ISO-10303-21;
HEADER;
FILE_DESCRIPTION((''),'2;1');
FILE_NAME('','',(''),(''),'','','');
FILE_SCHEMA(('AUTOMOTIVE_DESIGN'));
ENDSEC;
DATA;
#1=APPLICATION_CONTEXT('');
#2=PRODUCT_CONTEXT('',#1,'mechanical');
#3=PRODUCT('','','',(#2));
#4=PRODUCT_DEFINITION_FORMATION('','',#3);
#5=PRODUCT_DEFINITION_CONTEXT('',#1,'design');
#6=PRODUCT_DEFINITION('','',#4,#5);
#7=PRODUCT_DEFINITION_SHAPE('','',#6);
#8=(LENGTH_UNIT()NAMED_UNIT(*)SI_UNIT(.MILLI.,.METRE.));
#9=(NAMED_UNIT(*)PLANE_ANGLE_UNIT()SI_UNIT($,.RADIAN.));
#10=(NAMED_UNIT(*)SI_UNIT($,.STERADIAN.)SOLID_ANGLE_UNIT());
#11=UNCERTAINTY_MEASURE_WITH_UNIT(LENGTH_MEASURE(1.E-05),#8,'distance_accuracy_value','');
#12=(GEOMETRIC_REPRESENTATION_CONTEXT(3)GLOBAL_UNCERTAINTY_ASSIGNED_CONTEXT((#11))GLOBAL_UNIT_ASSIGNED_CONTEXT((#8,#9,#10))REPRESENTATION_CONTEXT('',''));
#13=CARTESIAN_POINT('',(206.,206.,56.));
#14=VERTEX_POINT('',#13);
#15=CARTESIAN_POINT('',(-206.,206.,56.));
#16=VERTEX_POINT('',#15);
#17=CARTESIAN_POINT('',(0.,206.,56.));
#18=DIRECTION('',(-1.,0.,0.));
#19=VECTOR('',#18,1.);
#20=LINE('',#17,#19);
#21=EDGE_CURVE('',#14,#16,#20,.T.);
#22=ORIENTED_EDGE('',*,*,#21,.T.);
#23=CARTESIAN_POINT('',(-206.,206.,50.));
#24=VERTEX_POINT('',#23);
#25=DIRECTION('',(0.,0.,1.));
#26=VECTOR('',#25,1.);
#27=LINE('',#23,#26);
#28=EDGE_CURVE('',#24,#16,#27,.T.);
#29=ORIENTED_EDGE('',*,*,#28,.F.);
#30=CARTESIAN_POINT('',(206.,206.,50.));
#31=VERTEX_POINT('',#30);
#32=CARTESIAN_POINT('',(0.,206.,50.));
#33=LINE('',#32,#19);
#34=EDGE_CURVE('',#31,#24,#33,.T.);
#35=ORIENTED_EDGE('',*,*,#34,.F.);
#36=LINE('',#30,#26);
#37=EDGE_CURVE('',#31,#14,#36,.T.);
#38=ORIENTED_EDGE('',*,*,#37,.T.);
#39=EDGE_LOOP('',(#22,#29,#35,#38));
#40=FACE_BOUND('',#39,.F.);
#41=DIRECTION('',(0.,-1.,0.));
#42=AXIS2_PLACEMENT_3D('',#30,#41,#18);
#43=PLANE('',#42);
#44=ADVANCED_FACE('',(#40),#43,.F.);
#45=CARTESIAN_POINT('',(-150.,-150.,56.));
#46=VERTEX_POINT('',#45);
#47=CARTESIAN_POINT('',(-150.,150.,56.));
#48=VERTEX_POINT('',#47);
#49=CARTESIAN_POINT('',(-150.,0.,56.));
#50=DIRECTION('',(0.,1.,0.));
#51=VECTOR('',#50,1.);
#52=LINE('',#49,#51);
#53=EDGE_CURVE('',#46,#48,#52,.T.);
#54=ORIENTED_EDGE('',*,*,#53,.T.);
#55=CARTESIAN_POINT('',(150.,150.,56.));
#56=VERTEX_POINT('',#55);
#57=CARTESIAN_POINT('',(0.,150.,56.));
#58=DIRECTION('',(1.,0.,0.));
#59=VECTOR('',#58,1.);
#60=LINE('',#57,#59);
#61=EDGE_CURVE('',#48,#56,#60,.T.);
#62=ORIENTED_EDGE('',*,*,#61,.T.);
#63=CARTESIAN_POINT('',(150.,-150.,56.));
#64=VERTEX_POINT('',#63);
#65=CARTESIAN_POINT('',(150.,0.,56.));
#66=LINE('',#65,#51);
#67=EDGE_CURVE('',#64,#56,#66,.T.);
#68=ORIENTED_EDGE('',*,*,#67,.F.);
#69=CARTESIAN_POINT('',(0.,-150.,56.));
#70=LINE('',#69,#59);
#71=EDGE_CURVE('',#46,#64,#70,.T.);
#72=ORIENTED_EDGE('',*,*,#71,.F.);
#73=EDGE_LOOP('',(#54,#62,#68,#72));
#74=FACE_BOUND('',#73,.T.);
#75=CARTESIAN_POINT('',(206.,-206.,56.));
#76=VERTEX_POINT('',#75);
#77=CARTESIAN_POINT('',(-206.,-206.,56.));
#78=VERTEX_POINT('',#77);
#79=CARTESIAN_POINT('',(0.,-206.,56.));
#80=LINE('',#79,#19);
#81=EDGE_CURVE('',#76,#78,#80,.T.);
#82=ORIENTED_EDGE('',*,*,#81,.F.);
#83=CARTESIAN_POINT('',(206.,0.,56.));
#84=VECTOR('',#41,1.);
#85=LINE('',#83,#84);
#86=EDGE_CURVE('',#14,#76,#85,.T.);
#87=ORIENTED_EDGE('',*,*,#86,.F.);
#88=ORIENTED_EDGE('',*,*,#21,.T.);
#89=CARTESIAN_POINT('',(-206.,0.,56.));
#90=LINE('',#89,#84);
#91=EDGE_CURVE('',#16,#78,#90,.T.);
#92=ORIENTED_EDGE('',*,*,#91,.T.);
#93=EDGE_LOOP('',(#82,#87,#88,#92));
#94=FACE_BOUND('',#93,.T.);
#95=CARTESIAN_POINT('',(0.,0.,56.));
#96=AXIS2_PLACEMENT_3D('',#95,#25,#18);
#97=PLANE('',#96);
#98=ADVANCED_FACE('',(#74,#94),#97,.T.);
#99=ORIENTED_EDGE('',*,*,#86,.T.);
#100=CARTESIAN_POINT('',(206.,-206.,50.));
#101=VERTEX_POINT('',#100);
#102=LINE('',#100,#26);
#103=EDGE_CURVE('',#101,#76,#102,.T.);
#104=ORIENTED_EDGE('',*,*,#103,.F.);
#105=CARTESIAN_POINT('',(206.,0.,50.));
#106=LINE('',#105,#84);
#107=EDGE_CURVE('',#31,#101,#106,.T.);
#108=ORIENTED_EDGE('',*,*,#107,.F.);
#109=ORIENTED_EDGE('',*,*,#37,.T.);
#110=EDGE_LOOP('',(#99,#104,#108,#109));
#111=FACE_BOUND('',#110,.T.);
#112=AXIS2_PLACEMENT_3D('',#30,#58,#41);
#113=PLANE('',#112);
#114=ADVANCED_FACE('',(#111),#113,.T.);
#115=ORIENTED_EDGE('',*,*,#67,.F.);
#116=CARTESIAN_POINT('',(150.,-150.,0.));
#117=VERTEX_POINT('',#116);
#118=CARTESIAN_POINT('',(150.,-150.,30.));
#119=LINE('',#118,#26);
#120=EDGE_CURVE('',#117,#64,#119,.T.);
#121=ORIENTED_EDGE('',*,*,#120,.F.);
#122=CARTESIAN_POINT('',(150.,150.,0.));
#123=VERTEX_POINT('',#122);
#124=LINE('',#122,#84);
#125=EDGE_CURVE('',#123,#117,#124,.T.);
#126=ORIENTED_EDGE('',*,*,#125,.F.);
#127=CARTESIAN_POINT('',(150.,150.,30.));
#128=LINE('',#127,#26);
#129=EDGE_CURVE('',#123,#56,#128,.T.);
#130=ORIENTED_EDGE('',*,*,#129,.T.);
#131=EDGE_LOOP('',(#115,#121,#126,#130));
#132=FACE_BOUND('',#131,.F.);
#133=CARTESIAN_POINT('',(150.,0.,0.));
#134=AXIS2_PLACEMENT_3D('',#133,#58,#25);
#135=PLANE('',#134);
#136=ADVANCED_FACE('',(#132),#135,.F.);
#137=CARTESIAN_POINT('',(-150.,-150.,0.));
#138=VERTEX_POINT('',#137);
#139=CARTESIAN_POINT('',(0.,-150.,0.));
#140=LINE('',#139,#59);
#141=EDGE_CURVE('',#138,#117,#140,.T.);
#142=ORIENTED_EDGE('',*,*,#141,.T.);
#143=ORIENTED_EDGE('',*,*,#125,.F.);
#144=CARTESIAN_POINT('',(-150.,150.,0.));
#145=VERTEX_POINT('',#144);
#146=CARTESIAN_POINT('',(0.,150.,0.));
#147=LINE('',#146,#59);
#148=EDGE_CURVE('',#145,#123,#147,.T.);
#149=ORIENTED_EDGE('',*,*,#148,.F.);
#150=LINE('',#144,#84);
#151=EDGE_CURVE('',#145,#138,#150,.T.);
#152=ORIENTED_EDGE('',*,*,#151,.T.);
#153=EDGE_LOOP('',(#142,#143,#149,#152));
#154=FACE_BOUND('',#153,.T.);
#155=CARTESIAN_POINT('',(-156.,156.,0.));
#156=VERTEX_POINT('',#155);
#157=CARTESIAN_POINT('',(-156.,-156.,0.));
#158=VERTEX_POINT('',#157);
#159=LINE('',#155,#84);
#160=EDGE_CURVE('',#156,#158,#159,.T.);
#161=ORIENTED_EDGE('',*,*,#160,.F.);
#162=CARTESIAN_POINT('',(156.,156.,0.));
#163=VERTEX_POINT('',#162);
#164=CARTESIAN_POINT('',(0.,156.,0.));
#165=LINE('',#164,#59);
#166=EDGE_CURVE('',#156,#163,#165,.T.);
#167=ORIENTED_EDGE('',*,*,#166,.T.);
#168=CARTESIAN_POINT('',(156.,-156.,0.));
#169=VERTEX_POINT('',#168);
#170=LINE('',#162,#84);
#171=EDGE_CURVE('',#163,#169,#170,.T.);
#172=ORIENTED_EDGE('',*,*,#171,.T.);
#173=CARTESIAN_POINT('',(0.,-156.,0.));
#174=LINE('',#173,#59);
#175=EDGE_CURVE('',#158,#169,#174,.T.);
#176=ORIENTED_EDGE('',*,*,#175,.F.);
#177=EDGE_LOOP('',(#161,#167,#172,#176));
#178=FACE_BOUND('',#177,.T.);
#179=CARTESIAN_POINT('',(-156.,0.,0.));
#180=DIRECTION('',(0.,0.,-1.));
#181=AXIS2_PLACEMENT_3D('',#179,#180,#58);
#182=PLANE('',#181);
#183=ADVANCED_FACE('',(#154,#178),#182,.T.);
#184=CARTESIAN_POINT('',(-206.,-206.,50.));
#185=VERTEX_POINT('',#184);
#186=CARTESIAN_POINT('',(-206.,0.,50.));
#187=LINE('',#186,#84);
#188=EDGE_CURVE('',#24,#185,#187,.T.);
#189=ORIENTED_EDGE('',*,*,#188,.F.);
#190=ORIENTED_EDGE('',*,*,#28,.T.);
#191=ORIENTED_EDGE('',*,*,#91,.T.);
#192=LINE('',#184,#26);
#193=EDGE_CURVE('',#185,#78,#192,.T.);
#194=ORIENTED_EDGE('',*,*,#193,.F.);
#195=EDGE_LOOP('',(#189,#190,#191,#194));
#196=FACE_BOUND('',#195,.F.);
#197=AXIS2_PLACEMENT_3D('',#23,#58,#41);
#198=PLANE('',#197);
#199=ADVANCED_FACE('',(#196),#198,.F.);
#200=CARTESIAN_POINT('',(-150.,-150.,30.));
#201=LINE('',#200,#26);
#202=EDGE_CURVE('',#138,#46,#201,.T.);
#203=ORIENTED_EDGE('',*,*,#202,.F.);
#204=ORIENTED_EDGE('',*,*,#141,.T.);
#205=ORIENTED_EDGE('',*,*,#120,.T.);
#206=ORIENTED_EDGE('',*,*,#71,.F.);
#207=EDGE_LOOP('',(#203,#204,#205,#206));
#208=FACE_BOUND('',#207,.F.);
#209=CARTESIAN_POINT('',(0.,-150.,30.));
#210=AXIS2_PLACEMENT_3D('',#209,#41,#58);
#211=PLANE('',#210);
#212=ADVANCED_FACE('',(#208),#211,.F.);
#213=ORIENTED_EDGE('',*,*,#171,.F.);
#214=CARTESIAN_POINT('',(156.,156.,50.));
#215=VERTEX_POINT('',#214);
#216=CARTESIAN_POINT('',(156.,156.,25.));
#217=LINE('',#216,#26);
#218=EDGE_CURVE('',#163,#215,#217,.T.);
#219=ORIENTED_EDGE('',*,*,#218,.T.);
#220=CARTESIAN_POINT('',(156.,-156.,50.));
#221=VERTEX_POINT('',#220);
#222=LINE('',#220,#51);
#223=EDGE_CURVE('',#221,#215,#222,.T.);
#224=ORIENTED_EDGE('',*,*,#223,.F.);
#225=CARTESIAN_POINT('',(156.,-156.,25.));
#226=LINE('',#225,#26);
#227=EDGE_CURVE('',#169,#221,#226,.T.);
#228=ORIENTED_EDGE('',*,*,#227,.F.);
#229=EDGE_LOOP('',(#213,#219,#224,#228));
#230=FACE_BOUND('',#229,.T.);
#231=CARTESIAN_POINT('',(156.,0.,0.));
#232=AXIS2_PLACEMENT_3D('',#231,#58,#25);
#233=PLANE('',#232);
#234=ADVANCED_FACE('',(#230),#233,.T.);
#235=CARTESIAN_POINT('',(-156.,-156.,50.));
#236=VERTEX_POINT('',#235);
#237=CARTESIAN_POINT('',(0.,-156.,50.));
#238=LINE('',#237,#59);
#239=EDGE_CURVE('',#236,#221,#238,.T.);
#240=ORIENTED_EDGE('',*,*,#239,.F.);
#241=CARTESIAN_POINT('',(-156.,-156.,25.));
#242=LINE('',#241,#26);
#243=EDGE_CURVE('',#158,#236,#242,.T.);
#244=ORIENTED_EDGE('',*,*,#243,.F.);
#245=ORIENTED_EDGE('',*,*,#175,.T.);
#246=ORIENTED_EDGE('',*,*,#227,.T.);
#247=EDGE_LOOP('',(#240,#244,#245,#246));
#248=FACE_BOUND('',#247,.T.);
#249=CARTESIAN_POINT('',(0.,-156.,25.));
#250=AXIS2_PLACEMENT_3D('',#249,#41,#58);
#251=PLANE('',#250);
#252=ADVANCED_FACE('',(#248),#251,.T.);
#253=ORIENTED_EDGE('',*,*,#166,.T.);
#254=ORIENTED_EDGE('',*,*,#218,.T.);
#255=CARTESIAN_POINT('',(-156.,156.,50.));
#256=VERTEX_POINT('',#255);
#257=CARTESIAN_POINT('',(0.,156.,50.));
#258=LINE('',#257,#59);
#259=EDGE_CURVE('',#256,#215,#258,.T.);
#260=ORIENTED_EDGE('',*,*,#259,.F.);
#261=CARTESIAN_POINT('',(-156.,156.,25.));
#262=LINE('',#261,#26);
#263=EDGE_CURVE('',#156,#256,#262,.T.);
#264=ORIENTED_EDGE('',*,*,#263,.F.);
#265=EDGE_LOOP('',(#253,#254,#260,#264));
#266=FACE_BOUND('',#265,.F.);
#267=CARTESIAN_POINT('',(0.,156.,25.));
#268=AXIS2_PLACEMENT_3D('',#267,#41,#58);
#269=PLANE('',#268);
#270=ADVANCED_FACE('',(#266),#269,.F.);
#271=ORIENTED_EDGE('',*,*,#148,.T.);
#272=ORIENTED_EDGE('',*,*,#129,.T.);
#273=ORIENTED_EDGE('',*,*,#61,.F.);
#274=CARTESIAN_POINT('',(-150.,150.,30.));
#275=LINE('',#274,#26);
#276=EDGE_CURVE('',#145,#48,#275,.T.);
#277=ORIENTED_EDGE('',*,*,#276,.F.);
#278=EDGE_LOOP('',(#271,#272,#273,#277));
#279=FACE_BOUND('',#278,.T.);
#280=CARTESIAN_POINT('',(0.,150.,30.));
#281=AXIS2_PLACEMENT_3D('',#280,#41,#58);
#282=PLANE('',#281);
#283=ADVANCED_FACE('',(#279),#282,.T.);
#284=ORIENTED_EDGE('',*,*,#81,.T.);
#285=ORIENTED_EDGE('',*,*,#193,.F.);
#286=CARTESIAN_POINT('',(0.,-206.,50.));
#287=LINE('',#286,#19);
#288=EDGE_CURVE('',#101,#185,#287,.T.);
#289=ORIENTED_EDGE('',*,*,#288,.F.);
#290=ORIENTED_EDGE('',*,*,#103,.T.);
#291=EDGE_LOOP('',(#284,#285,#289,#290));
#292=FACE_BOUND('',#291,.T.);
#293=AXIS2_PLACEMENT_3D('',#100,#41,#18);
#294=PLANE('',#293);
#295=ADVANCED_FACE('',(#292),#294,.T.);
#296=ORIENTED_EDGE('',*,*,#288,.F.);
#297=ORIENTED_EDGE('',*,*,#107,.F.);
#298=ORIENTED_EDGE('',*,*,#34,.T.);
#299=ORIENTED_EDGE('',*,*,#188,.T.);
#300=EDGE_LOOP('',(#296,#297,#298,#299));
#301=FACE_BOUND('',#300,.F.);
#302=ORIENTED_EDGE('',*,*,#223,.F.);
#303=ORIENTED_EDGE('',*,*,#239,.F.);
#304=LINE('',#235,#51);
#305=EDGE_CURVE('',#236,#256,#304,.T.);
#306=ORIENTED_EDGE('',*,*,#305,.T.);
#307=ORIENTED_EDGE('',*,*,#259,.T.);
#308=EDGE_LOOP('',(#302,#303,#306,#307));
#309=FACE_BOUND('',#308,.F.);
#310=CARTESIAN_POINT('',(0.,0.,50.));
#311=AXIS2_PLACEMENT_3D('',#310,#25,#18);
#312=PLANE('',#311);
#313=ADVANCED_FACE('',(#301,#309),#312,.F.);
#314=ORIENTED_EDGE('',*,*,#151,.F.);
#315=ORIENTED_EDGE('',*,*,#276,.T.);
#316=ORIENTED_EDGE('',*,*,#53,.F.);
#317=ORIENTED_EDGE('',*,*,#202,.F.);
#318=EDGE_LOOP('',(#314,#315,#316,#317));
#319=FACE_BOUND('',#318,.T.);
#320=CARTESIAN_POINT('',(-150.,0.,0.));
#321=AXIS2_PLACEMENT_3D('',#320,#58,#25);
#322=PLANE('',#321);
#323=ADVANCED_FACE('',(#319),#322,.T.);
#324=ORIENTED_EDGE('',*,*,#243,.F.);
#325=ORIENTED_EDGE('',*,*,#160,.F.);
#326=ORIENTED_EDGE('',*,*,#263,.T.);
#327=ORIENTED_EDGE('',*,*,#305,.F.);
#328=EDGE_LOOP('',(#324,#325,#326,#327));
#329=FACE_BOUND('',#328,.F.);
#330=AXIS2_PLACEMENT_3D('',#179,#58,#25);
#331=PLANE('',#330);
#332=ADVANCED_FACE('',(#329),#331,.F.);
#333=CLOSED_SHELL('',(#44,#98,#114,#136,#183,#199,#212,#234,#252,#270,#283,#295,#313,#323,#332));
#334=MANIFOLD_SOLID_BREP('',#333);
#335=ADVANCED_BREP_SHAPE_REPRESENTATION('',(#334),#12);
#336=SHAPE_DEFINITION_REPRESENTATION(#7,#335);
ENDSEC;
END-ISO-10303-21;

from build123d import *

# Parameters (mm, degrees)
SKETCH051_W  = 300
SKETCH051_H  = 60
PAD_DEPTH    = 150
SKETCH052_W  = 312
SKETCH052_H  = 50
PAD001_DEPTH = 156
SKETCH053_W  = 412
SKETCH053_H  = 412
PAD002_DEPTH = 6


with BuildPart() as body:
    # Sketch051 → Pad (new body, symmetric)
    with BuildSketch(Plane.XZ):
        with Locations((0, 30)):
            Rectangle(SKETCH051_W, SKETCH051_H)
    extrude(amount=PAD_DEPTH, both=True)


with BuildPart() as cut006:
    # Sketch052 → Pad001 (new body, symmetric)
    with BuildSketch(Plane.XZ):
        with Locations((0, 25)):
            Rectangle(SKETCH052_W, SKETCH052_H)
    extrude(amount=PAD001_DEPTH, both=True)

    # Sketch053 (on Face3 of Pad001) → Pad002 (join)
    with BuildSketch(Plane(origin=(0, 0, 50), x_dir=(-1, 0, 0), z_dir=(0, 0, 1))):
        Rectangle(SKETCH053_W, SKETCH053_H)
    extrude(amount=PAD002_DEPTH)

    # Cut006: cut Body
    add(body.part, mode=Mode.SUBTRACT)


solid = cut006.part
